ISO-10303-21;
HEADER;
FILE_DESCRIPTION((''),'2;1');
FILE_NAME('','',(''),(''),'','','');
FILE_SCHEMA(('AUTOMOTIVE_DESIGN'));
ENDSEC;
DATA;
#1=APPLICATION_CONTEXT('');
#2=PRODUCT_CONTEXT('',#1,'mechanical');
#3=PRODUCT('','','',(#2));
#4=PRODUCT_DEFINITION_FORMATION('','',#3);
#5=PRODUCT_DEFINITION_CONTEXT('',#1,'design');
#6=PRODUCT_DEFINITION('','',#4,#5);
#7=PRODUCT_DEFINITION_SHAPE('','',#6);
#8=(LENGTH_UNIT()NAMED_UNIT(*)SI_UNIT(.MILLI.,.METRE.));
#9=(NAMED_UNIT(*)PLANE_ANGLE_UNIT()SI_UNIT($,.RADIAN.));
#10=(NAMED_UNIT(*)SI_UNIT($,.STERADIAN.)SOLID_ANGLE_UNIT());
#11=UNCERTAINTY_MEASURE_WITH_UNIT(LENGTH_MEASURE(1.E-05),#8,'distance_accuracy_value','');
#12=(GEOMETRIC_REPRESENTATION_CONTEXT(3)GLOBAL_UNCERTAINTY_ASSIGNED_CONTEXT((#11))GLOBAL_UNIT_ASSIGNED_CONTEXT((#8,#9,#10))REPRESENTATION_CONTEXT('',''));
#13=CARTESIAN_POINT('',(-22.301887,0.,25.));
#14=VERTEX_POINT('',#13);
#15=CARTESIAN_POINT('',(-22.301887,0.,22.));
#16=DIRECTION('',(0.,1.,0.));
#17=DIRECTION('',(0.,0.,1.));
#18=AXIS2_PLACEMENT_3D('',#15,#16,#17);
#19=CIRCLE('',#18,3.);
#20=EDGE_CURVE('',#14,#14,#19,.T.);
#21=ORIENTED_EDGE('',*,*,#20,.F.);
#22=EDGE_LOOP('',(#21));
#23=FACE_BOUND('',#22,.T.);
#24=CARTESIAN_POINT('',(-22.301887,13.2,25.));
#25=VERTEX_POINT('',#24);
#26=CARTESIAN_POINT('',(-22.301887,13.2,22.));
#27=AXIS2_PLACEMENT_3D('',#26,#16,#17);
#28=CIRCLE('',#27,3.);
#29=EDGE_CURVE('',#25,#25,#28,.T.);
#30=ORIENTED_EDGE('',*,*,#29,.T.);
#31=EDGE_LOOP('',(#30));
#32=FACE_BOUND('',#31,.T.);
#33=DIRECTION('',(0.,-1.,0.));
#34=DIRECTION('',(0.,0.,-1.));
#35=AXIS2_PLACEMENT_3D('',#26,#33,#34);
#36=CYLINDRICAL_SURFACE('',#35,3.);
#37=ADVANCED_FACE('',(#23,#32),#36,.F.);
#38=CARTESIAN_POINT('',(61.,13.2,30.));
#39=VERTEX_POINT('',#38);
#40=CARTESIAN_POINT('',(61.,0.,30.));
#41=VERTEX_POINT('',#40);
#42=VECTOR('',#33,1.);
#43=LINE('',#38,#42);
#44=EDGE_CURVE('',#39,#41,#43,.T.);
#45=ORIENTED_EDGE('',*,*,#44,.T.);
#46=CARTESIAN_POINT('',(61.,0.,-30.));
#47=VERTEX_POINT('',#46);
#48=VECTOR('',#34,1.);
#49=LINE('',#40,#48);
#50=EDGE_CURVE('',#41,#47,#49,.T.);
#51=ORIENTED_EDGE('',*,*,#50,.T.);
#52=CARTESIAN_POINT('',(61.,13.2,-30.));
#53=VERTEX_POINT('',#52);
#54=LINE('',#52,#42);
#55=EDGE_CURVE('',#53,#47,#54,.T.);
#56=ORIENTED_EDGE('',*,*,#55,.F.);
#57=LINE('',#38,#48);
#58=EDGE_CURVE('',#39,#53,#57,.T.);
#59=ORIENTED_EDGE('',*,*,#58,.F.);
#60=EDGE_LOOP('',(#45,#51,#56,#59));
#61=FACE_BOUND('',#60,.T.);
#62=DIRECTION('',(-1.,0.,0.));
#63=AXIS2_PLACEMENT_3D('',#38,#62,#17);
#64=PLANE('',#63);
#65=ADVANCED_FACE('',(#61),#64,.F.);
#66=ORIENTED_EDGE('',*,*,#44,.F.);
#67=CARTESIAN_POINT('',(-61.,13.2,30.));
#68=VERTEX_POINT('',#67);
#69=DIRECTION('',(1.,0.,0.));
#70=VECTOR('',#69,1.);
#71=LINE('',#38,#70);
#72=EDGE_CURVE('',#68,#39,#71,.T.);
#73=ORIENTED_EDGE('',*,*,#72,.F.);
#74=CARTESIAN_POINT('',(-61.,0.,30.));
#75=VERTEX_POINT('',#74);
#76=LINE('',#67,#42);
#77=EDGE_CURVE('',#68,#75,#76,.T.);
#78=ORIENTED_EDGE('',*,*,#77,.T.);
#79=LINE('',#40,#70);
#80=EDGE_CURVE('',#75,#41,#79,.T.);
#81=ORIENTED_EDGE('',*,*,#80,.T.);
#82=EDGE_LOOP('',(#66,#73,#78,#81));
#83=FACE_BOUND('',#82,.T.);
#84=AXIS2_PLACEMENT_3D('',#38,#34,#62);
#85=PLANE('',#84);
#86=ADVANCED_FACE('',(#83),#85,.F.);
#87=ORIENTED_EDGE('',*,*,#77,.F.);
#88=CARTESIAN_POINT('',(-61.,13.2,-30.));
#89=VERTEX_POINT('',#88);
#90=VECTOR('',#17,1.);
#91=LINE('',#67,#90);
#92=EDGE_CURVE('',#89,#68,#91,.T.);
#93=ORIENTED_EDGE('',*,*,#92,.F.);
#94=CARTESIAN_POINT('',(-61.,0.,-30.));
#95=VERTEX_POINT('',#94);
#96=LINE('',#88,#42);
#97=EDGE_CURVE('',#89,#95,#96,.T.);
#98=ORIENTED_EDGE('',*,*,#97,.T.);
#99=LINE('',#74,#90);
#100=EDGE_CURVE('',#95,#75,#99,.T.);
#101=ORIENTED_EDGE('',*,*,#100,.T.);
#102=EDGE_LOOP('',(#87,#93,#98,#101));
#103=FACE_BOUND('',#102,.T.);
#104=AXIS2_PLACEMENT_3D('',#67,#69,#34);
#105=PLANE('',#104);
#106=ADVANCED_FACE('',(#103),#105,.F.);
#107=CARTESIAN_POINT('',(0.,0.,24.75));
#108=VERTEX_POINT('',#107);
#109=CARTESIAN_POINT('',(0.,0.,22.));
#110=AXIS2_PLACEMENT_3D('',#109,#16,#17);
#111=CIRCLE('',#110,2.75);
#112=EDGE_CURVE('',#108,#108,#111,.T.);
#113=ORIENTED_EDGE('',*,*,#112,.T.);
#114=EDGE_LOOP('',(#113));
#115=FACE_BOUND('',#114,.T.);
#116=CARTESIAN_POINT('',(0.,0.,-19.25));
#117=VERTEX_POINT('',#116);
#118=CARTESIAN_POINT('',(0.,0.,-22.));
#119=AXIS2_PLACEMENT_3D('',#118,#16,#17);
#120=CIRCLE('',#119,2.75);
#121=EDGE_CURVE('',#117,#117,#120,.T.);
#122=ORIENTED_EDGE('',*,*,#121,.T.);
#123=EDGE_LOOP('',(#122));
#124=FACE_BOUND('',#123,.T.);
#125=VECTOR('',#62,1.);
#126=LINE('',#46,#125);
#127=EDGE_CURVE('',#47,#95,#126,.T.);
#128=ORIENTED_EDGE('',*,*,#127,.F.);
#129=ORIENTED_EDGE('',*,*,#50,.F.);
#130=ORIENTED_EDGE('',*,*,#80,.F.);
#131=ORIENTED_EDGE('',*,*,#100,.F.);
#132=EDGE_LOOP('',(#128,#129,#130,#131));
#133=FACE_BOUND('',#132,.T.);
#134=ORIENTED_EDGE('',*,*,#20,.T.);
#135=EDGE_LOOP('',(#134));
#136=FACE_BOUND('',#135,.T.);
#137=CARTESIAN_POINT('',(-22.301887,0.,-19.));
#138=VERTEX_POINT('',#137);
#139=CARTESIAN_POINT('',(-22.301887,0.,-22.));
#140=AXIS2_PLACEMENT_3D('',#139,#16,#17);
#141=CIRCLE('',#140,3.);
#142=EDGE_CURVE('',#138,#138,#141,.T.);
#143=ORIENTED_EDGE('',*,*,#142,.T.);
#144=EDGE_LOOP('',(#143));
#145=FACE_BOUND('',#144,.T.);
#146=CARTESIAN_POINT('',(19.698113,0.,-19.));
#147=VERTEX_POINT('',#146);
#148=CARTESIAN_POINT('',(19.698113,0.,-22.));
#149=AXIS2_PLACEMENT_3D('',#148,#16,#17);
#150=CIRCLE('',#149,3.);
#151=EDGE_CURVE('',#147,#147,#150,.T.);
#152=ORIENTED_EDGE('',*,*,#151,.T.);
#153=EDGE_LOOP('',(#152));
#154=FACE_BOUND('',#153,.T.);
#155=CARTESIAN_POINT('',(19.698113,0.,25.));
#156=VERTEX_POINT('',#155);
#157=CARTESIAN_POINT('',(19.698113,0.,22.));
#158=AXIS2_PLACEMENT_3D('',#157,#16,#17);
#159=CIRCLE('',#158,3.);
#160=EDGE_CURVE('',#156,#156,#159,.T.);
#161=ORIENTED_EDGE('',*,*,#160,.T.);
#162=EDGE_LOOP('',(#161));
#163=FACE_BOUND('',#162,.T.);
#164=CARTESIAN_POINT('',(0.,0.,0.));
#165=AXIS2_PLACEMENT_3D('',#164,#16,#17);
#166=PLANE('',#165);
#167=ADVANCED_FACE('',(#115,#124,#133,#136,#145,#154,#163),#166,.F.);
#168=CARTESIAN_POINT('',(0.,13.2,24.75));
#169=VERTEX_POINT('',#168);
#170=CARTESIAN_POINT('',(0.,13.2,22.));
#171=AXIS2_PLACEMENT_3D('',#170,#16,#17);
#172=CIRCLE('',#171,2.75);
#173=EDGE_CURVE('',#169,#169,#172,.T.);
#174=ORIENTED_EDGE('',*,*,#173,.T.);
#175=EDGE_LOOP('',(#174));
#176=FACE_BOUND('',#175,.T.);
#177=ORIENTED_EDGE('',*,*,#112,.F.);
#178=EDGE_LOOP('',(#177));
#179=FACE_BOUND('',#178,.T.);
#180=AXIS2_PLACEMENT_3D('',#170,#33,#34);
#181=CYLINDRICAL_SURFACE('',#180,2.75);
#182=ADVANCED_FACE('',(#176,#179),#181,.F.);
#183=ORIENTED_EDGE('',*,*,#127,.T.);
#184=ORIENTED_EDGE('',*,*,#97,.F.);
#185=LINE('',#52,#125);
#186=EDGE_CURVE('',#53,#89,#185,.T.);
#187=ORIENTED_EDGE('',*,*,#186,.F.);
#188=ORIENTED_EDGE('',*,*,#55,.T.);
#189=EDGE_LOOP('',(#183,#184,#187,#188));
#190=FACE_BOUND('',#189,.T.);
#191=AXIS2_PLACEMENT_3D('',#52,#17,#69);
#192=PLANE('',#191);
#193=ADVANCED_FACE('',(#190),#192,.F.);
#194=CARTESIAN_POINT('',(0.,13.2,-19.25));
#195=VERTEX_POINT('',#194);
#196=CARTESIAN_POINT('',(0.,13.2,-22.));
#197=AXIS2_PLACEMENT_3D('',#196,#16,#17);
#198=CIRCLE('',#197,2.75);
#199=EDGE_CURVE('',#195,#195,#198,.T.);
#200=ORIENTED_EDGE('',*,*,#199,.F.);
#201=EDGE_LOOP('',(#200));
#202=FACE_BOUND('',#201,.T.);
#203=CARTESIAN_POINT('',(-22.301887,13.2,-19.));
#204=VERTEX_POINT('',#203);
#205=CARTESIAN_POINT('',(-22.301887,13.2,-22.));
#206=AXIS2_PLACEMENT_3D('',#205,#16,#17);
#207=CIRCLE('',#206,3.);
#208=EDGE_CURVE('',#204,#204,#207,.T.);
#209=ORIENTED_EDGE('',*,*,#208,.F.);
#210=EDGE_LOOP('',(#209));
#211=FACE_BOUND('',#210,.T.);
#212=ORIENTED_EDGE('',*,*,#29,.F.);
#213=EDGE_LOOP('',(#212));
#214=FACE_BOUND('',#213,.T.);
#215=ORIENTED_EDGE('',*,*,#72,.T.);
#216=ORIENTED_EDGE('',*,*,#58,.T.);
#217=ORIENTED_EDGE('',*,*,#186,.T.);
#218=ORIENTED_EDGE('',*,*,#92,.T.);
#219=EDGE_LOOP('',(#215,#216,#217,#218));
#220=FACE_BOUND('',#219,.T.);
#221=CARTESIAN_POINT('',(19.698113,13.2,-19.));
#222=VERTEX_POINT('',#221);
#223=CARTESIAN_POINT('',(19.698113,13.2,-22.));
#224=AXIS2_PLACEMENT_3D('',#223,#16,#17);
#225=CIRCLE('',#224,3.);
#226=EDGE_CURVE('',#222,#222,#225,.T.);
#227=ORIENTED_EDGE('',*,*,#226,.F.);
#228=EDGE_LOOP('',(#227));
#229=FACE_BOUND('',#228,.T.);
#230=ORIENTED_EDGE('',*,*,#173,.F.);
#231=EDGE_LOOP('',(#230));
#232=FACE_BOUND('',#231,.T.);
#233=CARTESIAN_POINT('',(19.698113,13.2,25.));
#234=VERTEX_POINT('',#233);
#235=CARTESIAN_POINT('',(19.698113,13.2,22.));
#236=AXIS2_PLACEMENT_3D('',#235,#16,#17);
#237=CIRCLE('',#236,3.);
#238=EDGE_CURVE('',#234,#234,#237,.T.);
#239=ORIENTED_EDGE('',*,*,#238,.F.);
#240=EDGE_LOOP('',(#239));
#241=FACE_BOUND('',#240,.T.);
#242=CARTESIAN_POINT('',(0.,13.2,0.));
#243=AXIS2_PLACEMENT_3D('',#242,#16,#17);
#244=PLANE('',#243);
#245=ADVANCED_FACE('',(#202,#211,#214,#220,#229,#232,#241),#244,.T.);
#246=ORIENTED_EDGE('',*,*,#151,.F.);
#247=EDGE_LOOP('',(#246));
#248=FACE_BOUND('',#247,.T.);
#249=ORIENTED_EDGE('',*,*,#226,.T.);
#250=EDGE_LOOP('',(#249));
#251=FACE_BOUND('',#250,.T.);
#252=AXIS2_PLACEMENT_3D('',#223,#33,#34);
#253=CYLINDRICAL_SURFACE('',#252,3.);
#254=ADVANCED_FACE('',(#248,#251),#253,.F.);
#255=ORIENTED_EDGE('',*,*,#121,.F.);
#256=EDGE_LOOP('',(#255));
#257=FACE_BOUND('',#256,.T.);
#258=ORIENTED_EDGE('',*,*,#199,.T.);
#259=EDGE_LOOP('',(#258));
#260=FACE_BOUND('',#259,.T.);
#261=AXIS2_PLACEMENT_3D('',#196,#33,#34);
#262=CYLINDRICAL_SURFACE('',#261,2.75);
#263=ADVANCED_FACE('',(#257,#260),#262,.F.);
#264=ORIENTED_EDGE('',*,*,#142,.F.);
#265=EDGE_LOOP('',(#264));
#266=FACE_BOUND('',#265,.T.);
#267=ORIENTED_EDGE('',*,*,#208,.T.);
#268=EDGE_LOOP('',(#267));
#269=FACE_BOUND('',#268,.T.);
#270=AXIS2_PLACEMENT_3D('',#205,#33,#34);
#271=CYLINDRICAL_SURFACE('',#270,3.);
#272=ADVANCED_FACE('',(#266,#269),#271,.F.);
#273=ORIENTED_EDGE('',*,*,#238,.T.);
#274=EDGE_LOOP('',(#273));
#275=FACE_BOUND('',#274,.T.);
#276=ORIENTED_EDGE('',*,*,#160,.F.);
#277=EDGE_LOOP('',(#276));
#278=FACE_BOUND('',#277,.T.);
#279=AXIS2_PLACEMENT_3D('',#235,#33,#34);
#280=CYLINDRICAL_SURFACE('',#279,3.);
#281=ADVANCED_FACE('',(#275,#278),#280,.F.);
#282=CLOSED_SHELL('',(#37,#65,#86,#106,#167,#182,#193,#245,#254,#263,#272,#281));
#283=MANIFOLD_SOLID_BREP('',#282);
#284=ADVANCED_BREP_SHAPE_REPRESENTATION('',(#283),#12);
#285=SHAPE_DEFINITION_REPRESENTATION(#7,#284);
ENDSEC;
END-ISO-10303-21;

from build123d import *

# Parameters (mm, degrees)
SKETCH1_W           = 122
SKETCH1_H           = 60
SKETCH1_R           = 3
SKETCH1_R_2         = 2.75
BOSS_EXTRUDE2_DEPTH = 13.2


with BuildPart() as part:
    # Sketch1 → Boss-Extrude2 (new body)
    with BuildSketch(Plane(origin=(0, 0, 0), x_dir=(1, 0, 0), z_dir=(0, 1, 0))):
        Rectangle(SKETCH1_W, SKETCH1_H)
        with Locations((19.698113208, 22)):
            Circle(SKETCH1_R, mode=Mode.SUBTRACT)
        with Locations((-22.301886792, 22)):
            Circle(SKETCH1_R, mode=Mode.SUBTRACT)
        with Locations((-22.301886792, -22)):
            Circle(SKETCH1_R, mode=Mode.SUBTRACT)
        with Locations((19.698113208, -22)):
            Circle(SKETCH1_R, mode=Mode.SUBTRACT)
        with Locations((0, 22)):
            Circle(SKETCH1_R_2, mode=Mode.SUBTRACT)
        with Locations((0, -22)):
            Circle(SKETCH1_R_2, mode=Mode.SUBTRACT)
    extrude(amount=BOSS_EXTRUDE2_DEPTH)


solid = part.part
